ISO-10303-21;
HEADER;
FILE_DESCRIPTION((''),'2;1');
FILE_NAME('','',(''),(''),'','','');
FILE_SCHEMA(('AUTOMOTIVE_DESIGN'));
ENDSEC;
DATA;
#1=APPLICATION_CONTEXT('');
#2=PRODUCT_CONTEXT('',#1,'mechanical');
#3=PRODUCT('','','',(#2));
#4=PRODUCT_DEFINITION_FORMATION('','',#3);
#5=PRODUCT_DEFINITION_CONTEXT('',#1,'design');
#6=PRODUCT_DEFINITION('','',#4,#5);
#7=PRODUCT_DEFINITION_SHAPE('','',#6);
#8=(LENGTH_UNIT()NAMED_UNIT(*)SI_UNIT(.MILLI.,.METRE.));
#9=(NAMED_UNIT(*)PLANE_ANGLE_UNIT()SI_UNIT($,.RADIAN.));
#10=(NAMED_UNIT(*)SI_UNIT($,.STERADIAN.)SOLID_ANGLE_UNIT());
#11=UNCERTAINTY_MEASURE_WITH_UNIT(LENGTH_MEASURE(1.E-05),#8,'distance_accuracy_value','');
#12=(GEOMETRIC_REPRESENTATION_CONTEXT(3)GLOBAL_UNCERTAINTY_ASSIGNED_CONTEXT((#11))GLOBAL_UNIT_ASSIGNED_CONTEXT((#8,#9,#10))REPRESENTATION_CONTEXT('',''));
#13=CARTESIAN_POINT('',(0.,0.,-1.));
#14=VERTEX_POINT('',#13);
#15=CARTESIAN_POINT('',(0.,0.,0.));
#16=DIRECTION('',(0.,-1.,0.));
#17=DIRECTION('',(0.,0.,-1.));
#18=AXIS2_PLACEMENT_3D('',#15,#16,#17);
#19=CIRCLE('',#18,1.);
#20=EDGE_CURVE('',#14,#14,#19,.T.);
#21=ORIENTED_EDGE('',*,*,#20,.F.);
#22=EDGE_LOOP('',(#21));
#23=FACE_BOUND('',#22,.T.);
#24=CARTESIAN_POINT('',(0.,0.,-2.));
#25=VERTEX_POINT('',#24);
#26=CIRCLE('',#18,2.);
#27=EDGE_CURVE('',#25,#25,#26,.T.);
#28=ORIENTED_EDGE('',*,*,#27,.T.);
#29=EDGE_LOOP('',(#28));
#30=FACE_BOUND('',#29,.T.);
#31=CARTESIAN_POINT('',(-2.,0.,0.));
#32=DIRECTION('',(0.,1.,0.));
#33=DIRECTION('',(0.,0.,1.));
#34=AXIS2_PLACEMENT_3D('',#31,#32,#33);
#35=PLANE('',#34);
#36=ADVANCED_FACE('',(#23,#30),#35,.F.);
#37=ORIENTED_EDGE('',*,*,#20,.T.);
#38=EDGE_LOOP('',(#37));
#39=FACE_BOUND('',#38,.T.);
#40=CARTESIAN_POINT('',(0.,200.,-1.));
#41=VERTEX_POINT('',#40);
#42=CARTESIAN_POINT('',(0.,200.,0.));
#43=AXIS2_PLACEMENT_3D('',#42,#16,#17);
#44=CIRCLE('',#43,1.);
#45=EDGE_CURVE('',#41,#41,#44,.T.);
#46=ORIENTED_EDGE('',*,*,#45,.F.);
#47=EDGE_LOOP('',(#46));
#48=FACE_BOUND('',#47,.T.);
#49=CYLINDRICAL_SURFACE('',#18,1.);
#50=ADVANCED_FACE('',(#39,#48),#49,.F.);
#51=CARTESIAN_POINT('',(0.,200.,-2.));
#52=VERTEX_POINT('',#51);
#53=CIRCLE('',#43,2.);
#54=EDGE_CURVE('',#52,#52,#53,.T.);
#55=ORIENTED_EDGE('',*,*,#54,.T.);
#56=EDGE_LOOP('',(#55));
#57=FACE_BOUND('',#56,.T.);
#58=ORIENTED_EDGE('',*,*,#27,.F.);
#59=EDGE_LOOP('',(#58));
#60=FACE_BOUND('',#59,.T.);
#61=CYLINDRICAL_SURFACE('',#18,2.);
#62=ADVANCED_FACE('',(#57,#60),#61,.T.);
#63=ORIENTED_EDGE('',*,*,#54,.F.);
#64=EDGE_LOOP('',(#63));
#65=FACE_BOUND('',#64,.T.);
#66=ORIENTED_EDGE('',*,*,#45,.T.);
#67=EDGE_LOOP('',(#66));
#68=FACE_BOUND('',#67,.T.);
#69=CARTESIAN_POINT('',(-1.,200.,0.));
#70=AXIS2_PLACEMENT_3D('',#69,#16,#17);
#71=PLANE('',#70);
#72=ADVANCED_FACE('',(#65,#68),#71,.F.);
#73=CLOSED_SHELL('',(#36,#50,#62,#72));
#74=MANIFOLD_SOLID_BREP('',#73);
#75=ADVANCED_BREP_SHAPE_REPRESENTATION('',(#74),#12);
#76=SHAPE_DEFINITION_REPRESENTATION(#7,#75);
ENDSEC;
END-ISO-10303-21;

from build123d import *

# Parameters (mm, degrees)
CROQUIS1_W = 1
CROQUIS1_H = 200


with BuildPart() as part:
    # Croquis1 → Revolución1 (revolve)
    with BuildSketch(Plane.XY, mode=Mode.PRIVATE) as revoluci_n1_sk:
        with Locations((-1.5, 100)):
            Rectangle(CROQUIS1_W, CROQUIS1_H)
    revolve(revoluci_n1_sk.sketch.rotate(Axis((0, 0, 0), (0, 1, 0)), 270), axis=Axis((0, 0, 0), (0, 1, 0)))


solid = part.part
